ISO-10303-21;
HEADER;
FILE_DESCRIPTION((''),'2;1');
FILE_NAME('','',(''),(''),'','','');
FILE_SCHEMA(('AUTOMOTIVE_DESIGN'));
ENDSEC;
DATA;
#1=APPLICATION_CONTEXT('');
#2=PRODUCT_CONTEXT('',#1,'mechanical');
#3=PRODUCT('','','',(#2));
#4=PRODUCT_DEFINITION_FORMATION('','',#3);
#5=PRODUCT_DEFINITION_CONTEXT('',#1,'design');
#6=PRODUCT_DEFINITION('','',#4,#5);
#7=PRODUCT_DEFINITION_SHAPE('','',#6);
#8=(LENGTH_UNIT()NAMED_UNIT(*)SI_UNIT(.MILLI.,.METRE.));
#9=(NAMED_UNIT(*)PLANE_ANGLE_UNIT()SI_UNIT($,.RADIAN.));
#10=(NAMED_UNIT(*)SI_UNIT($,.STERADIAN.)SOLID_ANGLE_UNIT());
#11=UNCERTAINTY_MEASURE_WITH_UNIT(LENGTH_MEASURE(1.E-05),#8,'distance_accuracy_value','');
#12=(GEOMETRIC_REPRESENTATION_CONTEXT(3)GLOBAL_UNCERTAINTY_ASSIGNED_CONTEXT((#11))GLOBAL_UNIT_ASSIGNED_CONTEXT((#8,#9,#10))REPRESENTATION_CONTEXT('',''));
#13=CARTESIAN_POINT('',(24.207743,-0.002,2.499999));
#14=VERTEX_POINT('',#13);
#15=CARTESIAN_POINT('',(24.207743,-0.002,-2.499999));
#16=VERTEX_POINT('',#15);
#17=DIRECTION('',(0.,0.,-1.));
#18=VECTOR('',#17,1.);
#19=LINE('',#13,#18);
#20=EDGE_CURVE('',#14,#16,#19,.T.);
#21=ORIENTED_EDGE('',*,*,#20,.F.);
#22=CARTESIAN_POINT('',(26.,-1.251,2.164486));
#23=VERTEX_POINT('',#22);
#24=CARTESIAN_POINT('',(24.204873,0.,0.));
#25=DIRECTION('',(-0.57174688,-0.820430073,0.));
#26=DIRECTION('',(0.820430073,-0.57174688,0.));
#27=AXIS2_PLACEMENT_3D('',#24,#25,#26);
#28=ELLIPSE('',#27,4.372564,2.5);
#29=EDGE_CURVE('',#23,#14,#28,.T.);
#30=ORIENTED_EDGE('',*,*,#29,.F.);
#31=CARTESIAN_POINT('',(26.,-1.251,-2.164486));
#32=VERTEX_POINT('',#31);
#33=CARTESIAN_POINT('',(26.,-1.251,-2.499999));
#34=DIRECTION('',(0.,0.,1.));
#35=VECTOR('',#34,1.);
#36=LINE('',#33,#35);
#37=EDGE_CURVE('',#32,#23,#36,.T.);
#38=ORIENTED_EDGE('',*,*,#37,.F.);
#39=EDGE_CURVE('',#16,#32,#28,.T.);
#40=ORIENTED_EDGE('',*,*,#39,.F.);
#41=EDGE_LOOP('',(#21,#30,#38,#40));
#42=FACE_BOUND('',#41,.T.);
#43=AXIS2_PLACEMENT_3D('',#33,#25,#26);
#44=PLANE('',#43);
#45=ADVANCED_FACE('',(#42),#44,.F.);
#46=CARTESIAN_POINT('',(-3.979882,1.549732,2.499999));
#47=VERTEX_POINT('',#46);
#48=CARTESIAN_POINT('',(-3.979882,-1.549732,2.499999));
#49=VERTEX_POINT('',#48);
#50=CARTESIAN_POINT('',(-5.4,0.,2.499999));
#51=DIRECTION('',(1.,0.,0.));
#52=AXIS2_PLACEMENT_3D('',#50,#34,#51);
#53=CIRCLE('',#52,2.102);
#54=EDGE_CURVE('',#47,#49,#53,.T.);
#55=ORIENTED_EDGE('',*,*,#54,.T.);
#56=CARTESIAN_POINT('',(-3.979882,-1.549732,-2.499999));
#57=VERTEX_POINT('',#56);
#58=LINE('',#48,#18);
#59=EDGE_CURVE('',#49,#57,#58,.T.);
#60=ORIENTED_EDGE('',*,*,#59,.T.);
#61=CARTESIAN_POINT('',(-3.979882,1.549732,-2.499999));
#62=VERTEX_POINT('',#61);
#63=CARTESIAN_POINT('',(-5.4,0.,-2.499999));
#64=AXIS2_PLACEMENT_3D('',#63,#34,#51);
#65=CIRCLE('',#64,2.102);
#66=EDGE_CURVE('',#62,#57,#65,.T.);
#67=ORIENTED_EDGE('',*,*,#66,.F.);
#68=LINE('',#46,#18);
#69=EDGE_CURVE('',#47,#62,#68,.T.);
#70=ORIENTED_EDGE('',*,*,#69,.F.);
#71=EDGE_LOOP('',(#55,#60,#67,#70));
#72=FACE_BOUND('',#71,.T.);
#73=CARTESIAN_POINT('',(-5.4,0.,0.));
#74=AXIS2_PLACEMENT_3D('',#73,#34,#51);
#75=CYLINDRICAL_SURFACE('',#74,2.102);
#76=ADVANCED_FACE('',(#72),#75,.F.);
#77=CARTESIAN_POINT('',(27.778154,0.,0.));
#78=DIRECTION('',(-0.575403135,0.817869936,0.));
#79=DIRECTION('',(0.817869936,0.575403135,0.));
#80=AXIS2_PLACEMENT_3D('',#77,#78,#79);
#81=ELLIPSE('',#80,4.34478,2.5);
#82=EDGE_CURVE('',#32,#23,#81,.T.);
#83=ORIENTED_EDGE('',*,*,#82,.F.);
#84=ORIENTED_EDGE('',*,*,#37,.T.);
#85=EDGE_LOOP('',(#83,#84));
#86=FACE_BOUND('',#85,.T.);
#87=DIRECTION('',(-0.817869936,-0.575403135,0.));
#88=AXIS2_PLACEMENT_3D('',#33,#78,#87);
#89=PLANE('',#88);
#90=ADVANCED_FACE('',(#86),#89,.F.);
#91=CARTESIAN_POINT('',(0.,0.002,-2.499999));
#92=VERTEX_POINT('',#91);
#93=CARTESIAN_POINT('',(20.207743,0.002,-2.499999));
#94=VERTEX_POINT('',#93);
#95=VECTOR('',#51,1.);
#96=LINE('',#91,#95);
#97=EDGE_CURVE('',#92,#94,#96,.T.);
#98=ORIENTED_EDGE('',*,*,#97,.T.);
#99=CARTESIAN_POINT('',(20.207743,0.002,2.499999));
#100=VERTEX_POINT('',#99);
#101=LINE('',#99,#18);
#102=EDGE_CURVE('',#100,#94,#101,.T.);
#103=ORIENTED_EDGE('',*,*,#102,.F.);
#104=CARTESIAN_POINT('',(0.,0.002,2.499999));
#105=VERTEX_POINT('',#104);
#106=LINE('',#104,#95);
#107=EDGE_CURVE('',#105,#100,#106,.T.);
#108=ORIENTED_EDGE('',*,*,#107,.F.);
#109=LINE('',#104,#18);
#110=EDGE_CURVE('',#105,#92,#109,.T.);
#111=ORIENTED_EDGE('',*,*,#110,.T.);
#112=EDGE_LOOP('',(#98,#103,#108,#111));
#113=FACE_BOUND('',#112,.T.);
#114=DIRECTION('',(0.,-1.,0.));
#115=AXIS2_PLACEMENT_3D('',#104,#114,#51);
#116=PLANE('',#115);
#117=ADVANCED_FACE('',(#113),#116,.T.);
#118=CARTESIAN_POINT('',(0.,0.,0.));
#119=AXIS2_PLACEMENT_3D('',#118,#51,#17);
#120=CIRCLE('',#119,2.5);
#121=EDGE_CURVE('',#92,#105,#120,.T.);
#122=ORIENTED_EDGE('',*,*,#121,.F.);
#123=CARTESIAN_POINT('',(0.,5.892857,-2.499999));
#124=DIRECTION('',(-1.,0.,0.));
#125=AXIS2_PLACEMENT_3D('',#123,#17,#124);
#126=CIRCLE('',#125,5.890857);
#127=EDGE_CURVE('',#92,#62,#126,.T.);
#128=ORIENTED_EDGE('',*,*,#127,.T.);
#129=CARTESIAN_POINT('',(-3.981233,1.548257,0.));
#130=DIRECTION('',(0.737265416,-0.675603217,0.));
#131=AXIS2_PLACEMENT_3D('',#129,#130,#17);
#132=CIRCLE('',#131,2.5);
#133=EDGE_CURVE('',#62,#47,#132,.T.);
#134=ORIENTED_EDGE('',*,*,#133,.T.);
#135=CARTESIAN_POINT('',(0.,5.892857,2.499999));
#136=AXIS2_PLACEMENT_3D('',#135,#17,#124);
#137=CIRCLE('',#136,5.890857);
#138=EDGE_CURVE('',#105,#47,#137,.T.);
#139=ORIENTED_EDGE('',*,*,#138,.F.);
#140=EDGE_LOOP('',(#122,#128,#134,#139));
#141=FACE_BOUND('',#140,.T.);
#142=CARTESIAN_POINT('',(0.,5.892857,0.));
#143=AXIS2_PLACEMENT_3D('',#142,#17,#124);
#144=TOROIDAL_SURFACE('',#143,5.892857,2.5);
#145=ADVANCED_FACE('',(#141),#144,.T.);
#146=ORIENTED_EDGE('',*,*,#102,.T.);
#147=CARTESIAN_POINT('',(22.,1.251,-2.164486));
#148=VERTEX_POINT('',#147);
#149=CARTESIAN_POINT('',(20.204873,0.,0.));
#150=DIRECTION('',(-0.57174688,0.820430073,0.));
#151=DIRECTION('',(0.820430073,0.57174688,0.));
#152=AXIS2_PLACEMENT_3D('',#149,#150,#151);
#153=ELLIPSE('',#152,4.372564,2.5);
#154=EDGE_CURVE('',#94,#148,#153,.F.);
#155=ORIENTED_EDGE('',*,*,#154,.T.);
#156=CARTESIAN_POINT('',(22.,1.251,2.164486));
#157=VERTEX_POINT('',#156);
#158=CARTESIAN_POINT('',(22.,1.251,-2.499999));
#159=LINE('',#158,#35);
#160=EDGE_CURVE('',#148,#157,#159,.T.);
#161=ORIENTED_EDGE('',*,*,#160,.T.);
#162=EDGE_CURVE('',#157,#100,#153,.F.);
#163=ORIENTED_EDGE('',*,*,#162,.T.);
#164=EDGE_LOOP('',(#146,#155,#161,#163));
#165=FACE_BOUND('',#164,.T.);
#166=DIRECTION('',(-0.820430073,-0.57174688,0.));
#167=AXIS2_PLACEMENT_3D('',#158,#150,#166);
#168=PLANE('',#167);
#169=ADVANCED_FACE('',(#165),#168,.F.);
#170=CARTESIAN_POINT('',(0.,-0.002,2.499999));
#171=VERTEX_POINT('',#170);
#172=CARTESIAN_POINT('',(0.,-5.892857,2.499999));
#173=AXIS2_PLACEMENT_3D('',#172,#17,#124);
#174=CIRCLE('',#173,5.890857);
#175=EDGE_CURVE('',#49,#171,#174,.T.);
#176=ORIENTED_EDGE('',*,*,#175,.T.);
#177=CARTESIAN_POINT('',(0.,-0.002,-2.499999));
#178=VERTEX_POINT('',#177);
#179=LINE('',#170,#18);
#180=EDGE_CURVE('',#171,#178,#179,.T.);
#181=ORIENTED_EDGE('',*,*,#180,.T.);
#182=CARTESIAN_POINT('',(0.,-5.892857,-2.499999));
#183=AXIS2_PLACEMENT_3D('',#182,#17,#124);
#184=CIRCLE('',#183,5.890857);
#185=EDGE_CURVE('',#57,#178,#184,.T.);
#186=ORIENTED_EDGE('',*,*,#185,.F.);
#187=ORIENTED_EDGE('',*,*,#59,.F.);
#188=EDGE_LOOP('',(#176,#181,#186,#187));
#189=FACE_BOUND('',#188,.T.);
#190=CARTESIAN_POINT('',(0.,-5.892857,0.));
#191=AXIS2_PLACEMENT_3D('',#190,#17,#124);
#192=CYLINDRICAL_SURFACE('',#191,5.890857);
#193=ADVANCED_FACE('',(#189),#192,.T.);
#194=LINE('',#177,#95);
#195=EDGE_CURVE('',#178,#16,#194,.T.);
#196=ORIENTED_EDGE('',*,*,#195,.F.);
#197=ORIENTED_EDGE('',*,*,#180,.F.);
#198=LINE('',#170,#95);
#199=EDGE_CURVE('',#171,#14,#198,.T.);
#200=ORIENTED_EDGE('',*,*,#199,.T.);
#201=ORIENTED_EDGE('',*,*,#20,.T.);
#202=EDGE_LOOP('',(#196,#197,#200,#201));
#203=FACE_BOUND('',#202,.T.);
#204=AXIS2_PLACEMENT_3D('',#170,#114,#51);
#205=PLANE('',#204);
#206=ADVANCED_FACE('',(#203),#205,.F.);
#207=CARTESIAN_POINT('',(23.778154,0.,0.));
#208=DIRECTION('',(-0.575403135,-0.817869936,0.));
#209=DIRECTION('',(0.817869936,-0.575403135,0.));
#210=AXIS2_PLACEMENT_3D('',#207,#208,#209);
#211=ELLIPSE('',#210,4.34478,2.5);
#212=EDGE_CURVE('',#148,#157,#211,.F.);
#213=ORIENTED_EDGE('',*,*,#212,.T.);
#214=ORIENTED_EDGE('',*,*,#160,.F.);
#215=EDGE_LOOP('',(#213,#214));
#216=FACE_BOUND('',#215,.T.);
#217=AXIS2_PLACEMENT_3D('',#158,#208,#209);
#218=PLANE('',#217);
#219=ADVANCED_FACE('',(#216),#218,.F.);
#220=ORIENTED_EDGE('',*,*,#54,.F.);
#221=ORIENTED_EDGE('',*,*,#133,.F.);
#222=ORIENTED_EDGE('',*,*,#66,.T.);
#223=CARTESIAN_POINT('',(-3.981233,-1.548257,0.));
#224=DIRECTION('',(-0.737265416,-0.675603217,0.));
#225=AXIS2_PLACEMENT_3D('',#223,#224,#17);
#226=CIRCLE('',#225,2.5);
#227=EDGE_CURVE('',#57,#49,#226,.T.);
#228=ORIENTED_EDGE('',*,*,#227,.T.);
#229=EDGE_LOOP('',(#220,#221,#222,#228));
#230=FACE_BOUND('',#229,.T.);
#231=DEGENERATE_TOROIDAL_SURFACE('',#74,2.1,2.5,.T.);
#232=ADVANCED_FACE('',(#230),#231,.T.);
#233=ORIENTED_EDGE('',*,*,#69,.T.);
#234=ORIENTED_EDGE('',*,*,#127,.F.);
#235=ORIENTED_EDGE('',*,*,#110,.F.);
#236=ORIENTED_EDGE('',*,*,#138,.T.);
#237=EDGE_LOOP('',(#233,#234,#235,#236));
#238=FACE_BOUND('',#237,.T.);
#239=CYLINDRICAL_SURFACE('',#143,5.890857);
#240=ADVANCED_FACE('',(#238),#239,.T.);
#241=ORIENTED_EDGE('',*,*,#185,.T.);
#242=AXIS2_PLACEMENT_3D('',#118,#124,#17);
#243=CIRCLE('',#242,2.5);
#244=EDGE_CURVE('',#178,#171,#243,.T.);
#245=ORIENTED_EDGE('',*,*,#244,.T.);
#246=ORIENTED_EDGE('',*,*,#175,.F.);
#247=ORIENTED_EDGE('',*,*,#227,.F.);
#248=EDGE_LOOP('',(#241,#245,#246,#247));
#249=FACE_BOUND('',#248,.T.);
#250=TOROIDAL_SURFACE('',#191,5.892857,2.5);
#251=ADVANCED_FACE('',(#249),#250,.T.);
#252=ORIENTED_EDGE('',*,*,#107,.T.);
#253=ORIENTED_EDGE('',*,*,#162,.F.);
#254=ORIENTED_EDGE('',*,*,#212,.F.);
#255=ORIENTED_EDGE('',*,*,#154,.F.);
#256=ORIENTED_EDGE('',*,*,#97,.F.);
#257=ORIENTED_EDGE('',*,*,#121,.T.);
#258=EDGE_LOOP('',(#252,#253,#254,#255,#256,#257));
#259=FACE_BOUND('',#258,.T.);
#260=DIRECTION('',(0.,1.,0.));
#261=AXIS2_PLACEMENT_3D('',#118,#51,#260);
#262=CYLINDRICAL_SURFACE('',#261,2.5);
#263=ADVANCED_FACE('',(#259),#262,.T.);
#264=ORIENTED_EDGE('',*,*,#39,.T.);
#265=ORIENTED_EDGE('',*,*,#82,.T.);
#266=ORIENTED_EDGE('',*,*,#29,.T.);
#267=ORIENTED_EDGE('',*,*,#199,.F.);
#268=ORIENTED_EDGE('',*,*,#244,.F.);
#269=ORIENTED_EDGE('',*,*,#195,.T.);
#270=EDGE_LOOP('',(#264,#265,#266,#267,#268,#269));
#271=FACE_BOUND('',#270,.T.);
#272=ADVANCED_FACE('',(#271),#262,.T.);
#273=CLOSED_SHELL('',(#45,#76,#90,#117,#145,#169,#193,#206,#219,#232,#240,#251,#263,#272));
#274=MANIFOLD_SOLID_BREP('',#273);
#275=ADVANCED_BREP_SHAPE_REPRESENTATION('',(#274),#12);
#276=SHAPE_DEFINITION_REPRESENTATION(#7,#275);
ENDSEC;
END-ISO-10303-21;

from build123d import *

# Parameters (mm, degrees)
CONECUT_DEPTH      = 27.521877713
CONECUT_DEPTH_BACK = 27.521877713


with BuildPart() as part:
    # Body: sweep along a path in 草图2
    with BuildLine(Plane.XY) as body_path:
        Line((22, 2.5), (0, 2.5))
        ThreePointArc((0, 2.5), (-1.229728386, 2.730698436), (-2.292225201, 3.391420912))
        ThreePointArc((-2.292225201, 3.391420912), (-10, 0), (-2.292225201, -3.391420912))
        ThreePointArc((-2.292225201, -3.391420912), (-1.229728386, -2.730698436), (0, -2.5))
        Line((0, -2.5), (26, -2.5))
    # 草图1 → Body (sweep)
    with BuildSketch(Plane(origin=(22, 0, 0), x_dir=(0, 0, -1), z_dir=(1, 0, 0))):
        with BuildLine():
            Line((-2.4999992, 0.002), (2.4999992, 0.002))
            ThreePointArc((2.4999992, 0.002), (0, 2.5), (-2.4999992, 0.002))
        make_face()
    sweep(path=body_path.line)

    # 草图3 → ConeCut (cut, two sides: drawn at the far end of the back side and taken through both)
    with BuildSketch(Plane.XY.offset(-CONECUT_DEPTH_BACK)):
        Polygon((22, 1.251), (20.210475082, 2.51), (26.01, 2.51), (26.01, -2.51), (24.210475082, -2.51), (26, -1.251), (24.204873421, 0), (20.204873421, 0), align=None)
    extrude(amount=CONECUT_DEPTH + CONECUT_DEPTH_BACK, mode=Mode.SUBTRACT)


solid = part.part
